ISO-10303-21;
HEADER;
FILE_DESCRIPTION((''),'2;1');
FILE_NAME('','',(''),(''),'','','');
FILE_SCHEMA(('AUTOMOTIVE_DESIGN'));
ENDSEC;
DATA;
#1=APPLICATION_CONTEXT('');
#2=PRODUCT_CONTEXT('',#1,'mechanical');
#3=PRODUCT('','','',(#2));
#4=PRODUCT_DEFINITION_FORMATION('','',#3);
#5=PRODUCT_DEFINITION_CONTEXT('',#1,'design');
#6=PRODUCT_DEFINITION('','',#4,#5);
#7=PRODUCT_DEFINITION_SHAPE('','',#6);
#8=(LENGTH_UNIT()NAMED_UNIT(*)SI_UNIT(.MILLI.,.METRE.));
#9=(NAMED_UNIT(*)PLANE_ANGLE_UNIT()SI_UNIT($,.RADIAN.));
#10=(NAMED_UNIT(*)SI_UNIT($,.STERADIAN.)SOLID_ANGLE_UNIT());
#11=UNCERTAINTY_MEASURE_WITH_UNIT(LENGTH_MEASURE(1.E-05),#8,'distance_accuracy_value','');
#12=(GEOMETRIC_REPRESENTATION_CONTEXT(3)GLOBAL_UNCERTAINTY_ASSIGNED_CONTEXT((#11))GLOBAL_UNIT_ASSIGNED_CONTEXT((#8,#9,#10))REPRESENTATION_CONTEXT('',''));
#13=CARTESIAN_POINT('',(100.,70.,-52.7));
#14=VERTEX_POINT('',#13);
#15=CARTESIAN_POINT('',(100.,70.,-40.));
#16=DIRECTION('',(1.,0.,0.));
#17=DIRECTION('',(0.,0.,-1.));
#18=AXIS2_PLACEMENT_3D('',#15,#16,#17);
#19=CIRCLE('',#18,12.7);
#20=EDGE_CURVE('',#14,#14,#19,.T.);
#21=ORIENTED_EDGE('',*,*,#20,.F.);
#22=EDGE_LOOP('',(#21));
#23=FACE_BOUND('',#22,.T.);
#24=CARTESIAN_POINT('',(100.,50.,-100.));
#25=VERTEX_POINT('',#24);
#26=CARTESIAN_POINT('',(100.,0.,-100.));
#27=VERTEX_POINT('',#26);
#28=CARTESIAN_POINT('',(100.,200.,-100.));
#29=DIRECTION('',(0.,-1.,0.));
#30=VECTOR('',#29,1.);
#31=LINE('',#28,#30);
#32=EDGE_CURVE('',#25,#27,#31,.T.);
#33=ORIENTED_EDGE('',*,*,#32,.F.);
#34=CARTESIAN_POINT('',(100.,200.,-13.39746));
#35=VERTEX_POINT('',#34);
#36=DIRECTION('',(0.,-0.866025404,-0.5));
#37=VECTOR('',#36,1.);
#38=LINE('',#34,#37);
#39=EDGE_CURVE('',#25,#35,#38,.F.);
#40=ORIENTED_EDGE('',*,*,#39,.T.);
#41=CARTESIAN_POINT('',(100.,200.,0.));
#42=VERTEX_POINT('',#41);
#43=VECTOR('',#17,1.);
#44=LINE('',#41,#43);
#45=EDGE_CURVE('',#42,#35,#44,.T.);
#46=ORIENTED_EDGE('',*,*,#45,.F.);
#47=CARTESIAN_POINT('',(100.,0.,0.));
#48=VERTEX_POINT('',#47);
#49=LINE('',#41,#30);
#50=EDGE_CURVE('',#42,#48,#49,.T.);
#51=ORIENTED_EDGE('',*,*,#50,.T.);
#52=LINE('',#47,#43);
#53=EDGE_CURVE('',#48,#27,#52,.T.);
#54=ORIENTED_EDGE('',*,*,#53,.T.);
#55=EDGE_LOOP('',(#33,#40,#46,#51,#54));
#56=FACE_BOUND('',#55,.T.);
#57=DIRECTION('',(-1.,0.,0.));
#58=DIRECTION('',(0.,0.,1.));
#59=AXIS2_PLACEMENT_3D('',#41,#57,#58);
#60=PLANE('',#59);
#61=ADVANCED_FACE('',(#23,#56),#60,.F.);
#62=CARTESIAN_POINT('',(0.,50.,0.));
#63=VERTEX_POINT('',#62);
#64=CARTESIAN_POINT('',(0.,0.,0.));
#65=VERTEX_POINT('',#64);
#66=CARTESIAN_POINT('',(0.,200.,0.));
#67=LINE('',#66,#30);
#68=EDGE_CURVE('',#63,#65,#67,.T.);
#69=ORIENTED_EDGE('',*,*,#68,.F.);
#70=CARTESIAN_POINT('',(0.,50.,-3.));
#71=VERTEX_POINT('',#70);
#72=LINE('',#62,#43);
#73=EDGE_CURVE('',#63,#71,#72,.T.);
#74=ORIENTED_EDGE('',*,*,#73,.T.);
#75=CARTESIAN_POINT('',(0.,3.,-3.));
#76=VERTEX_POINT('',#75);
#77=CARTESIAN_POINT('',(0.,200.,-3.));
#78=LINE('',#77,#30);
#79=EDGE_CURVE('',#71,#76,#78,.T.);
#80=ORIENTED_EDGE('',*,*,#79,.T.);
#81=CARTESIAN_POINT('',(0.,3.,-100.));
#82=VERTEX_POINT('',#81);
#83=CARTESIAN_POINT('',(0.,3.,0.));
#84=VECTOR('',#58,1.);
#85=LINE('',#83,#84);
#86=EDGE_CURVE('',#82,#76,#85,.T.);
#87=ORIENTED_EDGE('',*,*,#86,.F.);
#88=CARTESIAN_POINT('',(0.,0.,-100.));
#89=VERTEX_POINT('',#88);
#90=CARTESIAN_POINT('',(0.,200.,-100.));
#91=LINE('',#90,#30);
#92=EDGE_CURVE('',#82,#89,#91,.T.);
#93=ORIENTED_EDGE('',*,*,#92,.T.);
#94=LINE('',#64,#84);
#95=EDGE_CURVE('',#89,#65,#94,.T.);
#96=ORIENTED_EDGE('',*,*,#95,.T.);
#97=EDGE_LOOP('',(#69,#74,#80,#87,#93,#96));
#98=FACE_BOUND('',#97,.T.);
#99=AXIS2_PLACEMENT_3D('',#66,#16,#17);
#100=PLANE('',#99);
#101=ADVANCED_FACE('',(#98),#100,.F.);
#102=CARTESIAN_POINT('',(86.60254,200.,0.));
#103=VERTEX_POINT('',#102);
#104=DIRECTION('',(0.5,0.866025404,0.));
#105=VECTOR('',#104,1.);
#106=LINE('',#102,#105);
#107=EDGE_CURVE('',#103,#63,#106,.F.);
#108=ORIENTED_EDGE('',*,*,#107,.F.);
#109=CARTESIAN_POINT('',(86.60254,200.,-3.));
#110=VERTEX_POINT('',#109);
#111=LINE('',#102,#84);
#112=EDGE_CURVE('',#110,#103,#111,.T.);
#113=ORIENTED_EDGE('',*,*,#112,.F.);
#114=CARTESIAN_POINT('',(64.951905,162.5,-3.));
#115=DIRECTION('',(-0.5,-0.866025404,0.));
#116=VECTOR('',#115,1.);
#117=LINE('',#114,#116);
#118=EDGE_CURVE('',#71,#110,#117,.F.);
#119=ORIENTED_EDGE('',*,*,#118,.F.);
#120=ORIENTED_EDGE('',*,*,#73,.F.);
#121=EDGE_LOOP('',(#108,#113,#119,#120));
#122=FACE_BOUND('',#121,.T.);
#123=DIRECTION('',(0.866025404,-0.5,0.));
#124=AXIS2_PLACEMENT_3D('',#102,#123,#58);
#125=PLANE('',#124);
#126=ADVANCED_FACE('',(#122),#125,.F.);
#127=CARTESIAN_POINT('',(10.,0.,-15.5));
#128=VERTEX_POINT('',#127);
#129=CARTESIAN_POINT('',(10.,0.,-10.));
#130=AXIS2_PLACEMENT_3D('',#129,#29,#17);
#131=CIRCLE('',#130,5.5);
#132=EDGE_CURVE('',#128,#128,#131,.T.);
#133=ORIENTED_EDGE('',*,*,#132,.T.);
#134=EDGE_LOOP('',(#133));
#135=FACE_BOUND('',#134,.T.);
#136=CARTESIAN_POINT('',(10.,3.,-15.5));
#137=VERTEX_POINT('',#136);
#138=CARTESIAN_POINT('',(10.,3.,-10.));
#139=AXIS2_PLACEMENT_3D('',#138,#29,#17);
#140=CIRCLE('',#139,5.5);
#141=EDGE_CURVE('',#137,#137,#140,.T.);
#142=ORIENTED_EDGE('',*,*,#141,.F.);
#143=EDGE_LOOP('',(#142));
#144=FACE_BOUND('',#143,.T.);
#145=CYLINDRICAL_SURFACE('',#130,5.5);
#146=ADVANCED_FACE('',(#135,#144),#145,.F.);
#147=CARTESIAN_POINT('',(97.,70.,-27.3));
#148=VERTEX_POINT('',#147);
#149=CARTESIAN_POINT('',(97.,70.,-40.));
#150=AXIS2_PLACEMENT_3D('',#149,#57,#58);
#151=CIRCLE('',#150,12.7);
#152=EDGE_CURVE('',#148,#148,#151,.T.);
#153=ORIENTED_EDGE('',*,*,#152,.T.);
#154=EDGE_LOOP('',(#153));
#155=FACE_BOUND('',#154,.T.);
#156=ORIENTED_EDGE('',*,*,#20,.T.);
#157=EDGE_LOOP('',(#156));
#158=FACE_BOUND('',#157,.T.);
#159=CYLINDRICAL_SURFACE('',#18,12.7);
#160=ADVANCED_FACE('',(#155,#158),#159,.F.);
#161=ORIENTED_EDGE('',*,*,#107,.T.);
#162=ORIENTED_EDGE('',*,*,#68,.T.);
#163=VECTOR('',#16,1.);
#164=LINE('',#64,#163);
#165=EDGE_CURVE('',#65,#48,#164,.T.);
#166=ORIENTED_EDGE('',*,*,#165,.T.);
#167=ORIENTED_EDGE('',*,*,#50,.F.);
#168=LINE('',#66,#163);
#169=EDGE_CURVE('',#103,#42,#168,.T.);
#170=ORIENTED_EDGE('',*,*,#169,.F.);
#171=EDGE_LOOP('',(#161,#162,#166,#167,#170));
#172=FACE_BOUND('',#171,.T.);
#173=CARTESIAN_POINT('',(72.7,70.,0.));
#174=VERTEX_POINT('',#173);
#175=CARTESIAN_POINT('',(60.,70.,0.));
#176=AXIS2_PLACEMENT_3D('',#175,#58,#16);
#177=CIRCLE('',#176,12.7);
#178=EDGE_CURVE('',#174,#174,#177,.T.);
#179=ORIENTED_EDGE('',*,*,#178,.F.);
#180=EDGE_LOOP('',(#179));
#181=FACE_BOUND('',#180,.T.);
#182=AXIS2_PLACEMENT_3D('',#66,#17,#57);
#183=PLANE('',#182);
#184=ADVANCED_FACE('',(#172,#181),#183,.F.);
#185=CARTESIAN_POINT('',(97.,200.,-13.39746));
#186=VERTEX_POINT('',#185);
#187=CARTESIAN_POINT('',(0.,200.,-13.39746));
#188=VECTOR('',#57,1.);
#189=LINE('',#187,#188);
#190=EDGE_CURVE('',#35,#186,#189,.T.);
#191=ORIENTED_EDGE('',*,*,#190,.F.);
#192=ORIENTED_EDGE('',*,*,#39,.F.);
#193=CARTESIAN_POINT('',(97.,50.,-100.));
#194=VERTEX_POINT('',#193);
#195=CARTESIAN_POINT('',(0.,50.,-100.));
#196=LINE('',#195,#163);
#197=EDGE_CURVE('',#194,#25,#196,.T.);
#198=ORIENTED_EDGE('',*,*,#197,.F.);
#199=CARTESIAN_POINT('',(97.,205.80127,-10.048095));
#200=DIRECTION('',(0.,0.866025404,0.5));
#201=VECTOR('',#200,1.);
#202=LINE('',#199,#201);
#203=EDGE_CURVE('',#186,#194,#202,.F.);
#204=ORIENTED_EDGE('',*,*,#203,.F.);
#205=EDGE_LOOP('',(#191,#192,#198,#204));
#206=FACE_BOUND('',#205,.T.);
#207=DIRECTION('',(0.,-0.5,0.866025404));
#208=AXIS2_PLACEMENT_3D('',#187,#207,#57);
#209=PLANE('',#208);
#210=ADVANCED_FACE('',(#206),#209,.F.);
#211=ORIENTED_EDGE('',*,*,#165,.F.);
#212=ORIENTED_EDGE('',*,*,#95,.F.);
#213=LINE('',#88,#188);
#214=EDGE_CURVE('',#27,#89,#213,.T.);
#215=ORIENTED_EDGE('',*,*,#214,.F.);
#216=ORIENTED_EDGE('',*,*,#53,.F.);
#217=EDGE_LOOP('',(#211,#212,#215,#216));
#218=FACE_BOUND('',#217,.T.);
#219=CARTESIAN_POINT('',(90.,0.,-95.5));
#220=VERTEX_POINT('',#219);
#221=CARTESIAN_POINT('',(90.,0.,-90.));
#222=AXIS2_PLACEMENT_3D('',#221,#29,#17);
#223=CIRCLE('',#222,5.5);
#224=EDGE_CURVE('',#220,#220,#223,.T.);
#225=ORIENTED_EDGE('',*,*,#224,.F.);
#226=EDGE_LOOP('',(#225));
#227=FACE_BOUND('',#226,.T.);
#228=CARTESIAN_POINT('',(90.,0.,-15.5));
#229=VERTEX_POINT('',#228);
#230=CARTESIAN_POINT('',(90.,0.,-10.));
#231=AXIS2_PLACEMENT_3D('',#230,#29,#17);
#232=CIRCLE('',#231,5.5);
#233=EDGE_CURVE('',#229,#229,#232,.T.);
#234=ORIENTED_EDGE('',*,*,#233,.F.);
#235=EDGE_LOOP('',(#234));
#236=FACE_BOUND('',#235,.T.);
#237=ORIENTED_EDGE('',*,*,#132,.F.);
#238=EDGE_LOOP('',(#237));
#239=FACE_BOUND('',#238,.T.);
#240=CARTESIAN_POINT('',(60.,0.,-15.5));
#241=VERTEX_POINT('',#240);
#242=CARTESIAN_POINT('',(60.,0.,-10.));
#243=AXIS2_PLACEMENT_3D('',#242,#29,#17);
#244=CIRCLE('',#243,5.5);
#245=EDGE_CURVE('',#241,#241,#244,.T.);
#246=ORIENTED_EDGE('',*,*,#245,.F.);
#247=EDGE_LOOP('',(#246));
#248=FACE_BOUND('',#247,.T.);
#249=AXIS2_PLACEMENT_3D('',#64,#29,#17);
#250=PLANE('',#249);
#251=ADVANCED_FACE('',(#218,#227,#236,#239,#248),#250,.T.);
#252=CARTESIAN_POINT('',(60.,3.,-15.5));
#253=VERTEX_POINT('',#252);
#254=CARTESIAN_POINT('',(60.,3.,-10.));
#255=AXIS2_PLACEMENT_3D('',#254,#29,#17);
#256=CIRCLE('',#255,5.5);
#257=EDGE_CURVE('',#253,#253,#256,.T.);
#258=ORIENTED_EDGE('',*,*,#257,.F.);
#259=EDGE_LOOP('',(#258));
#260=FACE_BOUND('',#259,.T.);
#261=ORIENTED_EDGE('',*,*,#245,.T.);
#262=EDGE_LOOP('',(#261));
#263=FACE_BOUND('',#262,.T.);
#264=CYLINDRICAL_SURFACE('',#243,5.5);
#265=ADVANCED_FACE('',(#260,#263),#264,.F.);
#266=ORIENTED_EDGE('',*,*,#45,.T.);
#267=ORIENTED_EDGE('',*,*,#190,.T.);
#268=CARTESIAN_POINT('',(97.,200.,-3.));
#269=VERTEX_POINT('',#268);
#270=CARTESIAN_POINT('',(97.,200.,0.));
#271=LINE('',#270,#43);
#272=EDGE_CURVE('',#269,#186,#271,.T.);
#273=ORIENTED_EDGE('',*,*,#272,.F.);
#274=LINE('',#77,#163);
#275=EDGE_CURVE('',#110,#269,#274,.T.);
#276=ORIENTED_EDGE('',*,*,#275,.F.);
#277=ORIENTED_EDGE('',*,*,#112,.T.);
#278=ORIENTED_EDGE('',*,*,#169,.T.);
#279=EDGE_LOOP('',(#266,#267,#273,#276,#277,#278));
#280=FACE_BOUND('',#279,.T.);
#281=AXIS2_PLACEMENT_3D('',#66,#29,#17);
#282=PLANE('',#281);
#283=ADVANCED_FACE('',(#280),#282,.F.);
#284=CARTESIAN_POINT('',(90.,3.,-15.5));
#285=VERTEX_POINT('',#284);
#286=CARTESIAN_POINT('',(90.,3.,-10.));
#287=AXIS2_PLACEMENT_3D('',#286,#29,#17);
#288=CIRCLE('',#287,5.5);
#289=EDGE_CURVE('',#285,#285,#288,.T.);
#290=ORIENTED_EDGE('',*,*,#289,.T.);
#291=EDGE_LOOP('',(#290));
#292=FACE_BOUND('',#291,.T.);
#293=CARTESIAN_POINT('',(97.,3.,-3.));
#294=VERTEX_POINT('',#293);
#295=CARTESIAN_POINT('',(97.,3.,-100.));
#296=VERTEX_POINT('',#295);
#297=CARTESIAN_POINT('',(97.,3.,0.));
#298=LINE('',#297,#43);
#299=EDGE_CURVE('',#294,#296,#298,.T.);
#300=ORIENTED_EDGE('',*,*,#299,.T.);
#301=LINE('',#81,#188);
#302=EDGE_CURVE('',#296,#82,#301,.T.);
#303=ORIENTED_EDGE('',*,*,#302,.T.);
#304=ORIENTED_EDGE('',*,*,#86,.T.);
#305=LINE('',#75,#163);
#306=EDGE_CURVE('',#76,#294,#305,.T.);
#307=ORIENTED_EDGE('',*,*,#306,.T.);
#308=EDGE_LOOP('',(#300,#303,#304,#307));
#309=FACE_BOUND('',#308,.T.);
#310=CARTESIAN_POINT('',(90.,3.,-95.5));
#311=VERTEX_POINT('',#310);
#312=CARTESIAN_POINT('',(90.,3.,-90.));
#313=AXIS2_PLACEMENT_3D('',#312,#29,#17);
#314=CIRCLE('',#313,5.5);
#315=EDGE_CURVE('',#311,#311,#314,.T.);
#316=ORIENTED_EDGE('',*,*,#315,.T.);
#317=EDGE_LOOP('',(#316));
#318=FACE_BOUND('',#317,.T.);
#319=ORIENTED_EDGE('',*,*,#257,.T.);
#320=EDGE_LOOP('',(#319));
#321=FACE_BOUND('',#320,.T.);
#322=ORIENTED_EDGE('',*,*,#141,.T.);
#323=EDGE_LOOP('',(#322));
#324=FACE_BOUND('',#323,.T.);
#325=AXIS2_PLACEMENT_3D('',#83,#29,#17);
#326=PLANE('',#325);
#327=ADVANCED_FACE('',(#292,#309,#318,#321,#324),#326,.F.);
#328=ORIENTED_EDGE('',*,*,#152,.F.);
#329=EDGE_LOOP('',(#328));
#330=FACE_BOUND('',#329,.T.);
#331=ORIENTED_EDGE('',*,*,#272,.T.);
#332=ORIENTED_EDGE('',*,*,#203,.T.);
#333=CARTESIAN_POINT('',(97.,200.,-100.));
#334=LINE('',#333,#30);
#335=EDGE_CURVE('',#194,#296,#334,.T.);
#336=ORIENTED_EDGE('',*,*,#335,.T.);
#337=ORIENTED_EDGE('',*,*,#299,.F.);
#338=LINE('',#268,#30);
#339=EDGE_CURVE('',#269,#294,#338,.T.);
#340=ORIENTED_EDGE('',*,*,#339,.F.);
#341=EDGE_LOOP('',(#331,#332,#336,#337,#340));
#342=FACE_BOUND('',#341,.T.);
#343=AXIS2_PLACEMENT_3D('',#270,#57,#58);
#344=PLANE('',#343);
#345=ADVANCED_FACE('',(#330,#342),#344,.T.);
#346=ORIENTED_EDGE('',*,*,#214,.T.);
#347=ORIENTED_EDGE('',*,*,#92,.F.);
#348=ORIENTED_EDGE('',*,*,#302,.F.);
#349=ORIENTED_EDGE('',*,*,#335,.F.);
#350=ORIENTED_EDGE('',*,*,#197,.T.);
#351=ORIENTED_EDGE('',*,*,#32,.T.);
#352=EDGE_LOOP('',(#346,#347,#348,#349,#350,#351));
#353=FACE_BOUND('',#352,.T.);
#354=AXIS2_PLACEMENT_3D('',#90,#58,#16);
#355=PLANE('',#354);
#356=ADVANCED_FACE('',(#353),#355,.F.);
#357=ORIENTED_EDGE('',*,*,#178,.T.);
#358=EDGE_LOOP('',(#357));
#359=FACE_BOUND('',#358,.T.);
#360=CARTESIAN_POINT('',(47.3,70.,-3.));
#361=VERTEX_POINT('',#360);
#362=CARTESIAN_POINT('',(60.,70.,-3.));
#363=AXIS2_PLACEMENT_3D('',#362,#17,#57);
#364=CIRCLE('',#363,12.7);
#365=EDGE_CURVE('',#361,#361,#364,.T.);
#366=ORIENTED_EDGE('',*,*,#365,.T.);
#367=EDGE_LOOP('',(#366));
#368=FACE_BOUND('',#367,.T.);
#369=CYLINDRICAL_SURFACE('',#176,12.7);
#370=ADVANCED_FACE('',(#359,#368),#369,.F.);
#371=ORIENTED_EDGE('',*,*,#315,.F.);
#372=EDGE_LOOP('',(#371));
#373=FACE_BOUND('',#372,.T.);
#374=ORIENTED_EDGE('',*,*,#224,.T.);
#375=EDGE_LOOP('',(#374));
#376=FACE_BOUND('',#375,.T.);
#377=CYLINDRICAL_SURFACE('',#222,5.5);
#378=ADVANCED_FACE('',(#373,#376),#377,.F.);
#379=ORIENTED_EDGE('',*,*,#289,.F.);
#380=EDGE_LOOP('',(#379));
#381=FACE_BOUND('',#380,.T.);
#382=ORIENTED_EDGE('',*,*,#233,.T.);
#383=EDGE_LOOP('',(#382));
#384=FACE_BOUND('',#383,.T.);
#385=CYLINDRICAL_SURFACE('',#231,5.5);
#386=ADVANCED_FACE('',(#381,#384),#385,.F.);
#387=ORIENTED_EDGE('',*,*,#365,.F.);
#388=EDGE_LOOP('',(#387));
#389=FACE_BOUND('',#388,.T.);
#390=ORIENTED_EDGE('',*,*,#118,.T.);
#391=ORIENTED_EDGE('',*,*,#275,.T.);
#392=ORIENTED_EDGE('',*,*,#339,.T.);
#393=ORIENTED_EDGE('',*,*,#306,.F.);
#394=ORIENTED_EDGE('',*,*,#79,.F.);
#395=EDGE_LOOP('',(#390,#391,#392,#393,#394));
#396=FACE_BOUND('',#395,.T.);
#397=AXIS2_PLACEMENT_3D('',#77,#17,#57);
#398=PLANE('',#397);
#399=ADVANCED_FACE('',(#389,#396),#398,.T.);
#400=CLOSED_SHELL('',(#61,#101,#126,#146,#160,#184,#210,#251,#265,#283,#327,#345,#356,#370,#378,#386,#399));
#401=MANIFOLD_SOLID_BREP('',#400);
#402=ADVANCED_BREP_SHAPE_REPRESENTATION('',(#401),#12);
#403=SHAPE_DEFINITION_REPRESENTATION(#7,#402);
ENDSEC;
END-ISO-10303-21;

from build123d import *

# Parameters (mm, degrees)
SKIZZE1_W                       = 100
SKIZZE1_H                       = 100
AUFSATZ_LINEAR_AUSTRAGEN1_DEPTH = 200
WANDUNG1_T                      = -3
FASE1_SIZE                      = 150
FASE1_SIZE2                     = 86.602540378
FASE1_PART_2_SIZE               = 150
FASE1_PART_2_SIZE2              = 86.602540378
BOHRUNG1_D                      = 25.4
BOHRUNG1_DEPTH                  = 3
BOHRUNG1_ON_FACE_2_D            = 25.4
BOHRUNG1_ON_FACE_2_DEPTH        = 3
DURCHGANGSLOCH_F_R_M101_D       = 11
DURCHGANGSLOCH_F_R_M101_DEPTH   = 3


with BuildPart() as part:
    # Skizze1 → Aufsatz-Linear austragen1 (new body)
    with BuildSketch(Plane(origin=(0, 0, 0), x_dir=(1, 0, 0), z_dir=(0, 1, 0))):
        with Locations((50, 50)):
            Rectangle(SKIZZE1_W, SKIZZE1_H)
    extrude(amount=AUFSATZ_LINEAR_AUSTRAGEN1_DEPTH)

    # Wandung1
    wandung1_openings = [part.faces().sort_by_distance(p)[0] for p in [
        (50, 200, -50),
        (50, 100, -100),
        (0, 100, -50),
    ]]
    offset(amount=WANDUNG1_T, openings=wandung1_openings, kind=Kind.INTERSECTION)

    # Fase1
    fase1_edges = [part.edges().sort_by_distance(p)[0] for p in [
        (98.5, 200, -100),
    ]]
    fase1_side = [part.faces().sort_by_distance(p)[0] for p in [
        (98.5, 197.763932023, -100),
    ]]
    chamfer(fase1_edges, length=FASE1_SIZE, length2=FASE1_SIZE2, reference=fase1_side[0])

    # Fase1 part 2
    fase1_part_2_edges = [part.edges().sort_by_distance(p)[0] for p in [
        (0, 200, -1.5),
    ]]
    fase1_part_2_side = [part.faces().sort_by_distance(p)[0] for p in [
        (0, 1.5, -97.763932023),
    ]]
    chamfer(fase1_part_2_edges, length=FASE1_PART_2_SIZE, length2=FASE1_PART_2_SIZE2, reference=fase1_part_2_side[0])

    # Bohrung1
    with Locations(Plane(origin=(100, 70, -40), x_dir=(0, 0, 1), z_dir=(1, 0, 0))):
        with Locations((0, 0)):
            Hole(BOHRUNG1_D / 2, depth=BOHRUNG1_DEPTH)

    # Bohrung1 on face 2
    with Locations(Plane(origin=(60, 70, 0), x_dir=(1, 0, 0), z_dir=(0, 0, 1))):
        with Locations((0, 0)):
            Hole(BOHRUNG1_ON_FACE_2_D / 2, depth=BOHRUNG1_ON_FACE_2_DEPTH)

    # Durchgangsloch für M101
    with Locations(Plane(origin=(0, 0, 0), x_dir=(-1, 0, 0), z_dir=(0, -1, 0))):
        with Locations((-90, 90), (-90, 10), (-60, 10), (-10, 10)):
            Hole(DURCHGANGSLOCH_F_R_M101_D / 2, depth=DURCHGANGSLOCH_F_R_M101_DEPTH)


solid = part.part
